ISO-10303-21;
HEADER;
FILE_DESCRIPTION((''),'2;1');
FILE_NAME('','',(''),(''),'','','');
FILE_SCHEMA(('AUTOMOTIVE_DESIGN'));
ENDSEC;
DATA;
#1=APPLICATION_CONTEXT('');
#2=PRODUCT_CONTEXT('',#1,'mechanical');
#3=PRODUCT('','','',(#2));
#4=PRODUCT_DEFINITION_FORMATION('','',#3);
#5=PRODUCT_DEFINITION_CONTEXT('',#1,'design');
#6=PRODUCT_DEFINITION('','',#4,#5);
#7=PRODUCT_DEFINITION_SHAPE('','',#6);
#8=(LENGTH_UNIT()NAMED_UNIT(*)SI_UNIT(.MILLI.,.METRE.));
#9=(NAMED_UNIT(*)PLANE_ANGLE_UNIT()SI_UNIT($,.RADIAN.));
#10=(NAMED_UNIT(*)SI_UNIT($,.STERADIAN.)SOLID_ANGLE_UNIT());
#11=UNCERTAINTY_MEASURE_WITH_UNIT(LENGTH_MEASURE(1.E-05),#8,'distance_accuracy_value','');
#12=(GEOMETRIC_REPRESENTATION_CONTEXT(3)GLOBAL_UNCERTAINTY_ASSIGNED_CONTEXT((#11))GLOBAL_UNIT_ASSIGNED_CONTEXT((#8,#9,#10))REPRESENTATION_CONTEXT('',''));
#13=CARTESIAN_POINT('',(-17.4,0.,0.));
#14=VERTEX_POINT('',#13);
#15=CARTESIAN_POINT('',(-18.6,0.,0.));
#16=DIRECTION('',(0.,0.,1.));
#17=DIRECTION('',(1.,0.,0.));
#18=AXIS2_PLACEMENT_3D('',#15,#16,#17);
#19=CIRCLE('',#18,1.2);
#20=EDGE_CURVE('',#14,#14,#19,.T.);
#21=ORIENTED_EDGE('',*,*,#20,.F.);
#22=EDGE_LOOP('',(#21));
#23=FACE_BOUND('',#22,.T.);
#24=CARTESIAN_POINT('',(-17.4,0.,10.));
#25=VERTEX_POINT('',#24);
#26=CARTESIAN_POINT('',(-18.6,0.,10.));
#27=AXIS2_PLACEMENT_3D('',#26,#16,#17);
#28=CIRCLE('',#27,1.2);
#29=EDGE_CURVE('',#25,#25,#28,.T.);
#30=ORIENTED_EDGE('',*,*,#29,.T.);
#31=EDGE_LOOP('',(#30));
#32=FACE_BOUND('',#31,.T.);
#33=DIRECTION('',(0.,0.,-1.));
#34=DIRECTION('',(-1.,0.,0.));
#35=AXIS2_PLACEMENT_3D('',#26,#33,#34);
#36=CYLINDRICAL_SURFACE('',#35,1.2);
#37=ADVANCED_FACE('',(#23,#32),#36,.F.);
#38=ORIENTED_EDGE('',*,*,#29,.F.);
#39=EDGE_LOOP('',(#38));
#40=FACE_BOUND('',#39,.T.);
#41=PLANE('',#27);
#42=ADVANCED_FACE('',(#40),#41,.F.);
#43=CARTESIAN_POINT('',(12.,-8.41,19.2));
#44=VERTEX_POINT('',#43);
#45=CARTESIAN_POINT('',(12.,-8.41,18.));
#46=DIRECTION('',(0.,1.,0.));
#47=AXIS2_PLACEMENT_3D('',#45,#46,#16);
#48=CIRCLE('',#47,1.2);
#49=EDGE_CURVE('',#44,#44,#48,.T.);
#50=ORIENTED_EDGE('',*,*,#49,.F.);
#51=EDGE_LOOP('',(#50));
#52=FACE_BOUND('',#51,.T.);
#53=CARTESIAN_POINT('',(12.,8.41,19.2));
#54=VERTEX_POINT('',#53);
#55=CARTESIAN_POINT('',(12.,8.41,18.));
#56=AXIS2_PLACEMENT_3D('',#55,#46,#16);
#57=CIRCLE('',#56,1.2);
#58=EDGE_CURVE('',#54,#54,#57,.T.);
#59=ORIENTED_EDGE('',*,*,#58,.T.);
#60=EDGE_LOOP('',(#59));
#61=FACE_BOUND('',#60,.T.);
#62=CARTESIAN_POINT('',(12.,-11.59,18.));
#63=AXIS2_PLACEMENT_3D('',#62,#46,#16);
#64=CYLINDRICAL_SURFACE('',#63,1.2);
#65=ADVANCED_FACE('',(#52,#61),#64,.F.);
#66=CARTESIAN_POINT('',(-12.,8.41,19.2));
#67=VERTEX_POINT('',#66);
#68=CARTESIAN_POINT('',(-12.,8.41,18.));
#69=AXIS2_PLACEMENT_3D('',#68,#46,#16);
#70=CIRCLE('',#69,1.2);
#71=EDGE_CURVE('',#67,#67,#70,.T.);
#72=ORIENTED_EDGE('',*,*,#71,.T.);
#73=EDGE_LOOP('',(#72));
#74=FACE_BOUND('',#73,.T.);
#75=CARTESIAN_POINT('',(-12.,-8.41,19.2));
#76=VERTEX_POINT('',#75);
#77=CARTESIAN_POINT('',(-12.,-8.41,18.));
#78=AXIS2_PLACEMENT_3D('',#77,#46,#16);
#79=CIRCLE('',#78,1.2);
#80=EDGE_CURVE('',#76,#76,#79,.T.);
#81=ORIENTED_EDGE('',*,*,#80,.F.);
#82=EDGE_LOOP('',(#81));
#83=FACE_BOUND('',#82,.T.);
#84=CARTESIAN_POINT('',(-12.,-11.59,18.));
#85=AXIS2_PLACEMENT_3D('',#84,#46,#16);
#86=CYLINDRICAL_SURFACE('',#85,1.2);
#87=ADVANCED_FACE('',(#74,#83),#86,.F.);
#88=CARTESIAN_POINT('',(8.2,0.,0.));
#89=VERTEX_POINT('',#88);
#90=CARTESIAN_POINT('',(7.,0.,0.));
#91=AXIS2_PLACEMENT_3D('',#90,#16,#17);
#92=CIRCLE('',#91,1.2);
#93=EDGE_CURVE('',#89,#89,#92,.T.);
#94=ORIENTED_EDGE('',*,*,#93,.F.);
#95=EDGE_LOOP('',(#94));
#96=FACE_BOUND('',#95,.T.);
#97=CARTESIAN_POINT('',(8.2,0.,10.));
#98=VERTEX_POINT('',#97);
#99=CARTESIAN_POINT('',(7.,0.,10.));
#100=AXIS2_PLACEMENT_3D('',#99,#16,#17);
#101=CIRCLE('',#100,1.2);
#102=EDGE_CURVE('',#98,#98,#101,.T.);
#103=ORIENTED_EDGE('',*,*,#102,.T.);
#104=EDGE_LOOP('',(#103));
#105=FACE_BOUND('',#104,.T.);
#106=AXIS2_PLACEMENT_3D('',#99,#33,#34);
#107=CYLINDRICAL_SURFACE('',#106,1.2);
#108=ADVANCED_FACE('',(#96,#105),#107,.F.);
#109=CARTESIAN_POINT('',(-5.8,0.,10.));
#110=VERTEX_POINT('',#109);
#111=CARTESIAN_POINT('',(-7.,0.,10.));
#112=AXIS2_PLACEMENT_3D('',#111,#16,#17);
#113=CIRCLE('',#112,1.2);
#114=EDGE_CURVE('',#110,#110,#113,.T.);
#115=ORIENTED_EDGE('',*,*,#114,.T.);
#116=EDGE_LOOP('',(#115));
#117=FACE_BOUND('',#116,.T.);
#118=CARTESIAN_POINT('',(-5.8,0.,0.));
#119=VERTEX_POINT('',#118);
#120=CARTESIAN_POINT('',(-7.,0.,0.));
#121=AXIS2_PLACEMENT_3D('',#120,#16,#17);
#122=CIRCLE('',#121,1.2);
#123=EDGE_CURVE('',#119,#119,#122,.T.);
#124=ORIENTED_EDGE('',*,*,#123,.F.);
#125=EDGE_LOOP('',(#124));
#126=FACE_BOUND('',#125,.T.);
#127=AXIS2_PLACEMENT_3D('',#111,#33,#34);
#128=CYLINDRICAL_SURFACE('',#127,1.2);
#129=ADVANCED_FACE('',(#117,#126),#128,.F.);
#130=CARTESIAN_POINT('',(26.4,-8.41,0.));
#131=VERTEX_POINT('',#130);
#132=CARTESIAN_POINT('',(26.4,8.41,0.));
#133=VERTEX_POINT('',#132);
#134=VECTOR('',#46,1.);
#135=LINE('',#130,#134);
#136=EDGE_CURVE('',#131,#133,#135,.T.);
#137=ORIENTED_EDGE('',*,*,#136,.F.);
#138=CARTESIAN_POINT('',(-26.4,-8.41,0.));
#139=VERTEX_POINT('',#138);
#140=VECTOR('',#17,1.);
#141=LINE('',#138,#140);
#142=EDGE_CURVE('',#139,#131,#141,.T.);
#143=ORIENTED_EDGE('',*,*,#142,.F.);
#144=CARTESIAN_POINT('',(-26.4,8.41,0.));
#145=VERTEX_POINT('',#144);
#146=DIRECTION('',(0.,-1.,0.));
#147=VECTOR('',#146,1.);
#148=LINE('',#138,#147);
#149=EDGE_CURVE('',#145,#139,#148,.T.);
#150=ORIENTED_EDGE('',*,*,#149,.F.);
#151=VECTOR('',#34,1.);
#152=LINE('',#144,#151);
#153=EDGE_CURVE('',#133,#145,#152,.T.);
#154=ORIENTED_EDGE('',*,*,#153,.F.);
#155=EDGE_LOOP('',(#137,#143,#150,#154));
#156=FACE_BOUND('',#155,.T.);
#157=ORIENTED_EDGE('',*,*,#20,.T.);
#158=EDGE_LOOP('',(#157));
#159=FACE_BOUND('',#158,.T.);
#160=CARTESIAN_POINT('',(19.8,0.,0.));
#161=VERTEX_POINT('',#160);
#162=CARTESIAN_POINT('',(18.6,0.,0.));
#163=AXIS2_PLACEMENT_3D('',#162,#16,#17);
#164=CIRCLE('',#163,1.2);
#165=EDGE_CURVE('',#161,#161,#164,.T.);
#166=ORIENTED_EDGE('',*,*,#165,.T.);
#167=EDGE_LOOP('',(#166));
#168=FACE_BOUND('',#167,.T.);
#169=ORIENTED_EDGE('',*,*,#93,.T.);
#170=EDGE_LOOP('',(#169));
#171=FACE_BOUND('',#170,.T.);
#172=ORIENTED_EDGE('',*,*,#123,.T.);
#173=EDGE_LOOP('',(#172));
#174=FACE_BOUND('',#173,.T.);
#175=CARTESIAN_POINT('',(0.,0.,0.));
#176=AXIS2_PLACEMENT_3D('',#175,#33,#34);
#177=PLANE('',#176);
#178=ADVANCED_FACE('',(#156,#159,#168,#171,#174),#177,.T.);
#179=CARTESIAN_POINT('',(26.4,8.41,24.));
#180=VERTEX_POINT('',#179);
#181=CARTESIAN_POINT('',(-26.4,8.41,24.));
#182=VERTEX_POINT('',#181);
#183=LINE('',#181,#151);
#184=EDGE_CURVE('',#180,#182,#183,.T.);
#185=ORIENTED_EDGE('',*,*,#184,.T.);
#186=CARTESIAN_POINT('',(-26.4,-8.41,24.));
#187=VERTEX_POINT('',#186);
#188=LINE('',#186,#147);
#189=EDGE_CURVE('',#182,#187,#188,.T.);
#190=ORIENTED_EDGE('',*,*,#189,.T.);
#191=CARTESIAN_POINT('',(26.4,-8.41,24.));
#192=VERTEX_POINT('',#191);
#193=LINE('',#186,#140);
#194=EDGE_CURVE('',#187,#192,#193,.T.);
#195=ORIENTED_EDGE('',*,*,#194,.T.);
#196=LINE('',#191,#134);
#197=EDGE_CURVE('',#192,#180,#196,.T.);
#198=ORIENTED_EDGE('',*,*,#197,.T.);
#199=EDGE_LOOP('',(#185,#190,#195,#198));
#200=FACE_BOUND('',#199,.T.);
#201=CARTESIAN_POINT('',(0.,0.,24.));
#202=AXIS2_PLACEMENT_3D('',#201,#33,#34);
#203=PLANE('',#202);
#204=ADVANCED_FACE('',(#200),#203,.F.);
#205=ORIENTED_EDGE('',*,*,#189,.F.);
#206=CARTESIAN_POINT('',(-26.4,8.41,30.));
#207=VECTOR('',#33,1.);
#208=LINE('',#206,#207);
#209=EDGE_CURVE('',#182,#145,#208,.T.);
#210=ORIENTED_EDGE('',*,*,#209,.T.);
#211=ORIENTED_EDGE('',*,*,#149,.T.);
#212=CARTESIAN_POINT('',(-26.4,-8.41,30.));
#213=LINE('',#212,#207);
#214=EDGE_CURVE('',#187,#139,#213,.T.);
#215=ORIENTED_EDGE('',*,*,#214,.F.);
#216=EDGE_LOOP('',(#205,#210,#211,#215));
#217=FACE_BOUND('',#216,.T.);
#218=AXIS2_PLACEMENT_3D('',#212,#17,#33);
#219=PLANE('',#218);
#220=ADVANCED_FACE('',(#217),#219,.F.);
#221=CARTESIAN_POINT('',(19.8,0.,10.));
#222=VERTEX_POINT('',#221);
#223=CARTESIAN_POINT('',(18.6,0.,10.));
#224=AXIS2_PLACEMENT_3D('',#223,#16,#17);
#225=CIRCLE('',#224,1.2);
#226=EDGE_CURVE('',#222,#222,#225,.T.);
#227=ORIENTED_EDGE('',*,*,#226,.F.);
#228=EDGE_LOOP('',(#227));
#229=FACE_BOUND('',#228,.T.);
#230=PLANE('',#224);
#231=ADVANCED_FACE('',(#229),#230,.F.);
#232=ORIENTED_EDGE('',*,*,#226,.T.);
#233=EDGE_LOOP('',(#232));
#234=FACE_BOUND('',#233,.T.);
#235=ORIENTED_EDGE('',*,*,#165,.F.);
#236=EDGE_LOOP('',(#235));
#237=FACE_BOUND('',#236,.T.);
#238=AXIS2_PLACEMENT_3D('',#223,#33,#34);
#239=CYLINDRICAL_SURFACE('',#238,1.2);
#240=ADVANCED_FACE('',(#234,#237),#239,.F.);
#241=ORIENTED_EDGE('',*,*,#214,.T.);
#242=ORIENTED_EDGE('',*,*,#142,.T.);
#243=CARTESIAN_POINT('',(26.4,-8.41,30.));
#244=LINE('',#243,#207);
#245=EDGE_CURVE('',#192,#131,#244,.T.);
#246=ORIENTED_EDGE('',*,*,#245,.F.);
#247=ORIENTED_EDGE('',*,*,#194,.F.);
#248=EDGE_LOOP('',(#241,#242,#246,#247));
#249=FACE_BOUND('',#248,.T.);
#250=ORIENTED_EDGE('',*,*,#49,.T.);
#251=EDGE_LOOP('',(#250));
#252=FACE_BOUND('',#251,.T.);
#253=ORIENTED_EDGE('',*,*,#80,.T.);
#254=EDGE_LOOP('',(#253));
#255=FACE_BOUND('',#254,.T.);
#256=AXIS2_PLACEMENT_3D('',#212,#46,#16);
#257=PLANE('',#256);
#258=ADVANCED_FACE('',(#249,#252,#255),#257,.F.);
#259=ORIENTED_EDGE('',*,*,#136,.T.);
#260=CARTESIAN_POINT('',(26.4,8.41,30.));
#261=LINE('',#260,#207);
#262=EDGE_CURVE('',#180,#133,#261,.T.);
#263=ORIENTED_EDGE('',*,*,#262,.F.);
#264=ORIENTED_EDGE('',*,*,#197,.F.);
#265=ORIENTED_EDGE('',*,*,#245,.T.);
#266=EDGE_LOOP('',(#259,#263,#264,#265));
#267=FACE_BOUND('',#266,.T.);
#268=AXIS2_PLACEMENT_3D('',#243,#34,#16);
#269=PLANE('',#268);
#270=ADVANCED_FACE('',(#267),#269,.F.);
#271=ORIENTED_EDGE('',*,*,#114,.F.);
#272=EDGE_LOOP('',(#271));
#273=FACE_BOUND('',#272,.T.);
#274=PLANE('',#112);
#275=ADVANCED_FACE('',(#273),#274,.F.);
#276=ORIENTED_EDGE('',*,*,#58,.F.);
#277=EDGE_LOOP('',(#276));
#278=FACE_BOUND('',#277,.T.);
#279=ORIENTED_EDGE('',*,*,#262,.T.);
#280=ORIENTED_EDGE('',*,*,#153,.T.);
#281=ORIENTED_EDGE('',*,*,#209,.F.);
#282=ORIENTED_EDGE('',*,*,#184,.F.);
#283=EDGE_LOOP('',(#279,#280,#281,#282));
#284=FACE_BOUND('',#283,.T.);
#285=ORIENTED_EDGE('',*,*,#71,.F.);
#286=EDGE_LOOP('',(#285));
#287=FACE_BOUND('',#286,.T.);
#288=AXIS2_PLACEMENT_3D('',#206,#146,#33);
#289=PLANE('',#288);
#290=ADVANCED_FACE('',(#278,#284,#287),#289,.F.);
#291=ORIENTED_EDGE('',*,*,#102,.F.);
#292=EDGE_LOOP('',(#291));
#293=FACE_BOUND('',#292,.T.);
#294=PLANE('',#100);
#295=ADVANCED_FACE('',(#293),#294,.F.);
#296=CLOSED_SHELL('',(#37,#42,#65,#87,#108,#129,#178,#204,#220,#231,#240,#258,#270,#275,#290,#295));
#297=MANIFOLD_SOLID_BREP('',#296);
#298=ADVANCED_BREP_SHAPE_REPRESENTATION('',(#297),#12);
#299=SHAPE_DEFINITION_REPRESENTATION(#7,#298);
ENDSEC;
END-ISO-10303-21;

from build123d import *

# Parameters (mm, degrees)
CROQUIS1_W              = 52.8
CROQUIS1_H              = 16.82
SALIENTE_EXTRUIR1_DEPTH = 30
CROQUIS2_R              = 1.2
CORTAR_EXTRUIR1_DEPTH   = 20
CROQUIS3_R              = 1.2
CORTAR_EXTRUIR2_DEPTH   = 10
CROQUIS4_W              = 52.8
CROQUIS4_H              = 16.82
CORTAR_EXTRUIR3_DEPTH   = 6


with BuildPart() as part:
    # Croquis1 → Saliente-Extruir1 (new body)
    with BuildSketch(Plane.XY):
        Rectangle(CROQUIS1_W, CROQUIS1_H)
    extrude(amount=SALIENTE_EXTRUIR1_DEPTH)

    # Croquis2 → Cortar-Extruir1 (cut)
    with BuildSketch(Plane(origin=(0, 8.41, 0), x_dir=(1, 0, 0), z_dir=(0, 1, 0))):
        with Locations((-12, -18)):
            Circle(CROQUIS2_R)
        with Locations((12, -18)):
            Circle(CROQUIS2_R)
    extrude(amount=-CORTAR_EXTRUIR1_DEPTH, mode=Mode.SUBTRACT)

    # Croquis3 → Cortar-Extruir2 (cut)
    with BuildSketch(Plane.XY):
        with Locations((18.6, 0)):
            Circle(CROQUIS3_R)
        with Locations((7, 0)):
            Circle(CROQUIS3_R)
        with Locations((-7, 0)):
            Circle(CROQUIS3_R)
        with Locations((-18.6, 0)):
            Circle(CROQUIS3_R)
    extrude(amount=CORTAR_EXTRUIR2_DEPTH, mode=Mode.SUBTRACT)

    # Croquis4 → Cortar-Extruir3 (cut)
    with BuildSketch(Plane.XY.offset(30)):
        Rectangle(CROQUIS4_W, CROQUIS4_H)
    extrude(amount=-CORTAR_EXTRUIR3_DEPTH, mode=Mode.SUBTRACT)


solid = part.part
